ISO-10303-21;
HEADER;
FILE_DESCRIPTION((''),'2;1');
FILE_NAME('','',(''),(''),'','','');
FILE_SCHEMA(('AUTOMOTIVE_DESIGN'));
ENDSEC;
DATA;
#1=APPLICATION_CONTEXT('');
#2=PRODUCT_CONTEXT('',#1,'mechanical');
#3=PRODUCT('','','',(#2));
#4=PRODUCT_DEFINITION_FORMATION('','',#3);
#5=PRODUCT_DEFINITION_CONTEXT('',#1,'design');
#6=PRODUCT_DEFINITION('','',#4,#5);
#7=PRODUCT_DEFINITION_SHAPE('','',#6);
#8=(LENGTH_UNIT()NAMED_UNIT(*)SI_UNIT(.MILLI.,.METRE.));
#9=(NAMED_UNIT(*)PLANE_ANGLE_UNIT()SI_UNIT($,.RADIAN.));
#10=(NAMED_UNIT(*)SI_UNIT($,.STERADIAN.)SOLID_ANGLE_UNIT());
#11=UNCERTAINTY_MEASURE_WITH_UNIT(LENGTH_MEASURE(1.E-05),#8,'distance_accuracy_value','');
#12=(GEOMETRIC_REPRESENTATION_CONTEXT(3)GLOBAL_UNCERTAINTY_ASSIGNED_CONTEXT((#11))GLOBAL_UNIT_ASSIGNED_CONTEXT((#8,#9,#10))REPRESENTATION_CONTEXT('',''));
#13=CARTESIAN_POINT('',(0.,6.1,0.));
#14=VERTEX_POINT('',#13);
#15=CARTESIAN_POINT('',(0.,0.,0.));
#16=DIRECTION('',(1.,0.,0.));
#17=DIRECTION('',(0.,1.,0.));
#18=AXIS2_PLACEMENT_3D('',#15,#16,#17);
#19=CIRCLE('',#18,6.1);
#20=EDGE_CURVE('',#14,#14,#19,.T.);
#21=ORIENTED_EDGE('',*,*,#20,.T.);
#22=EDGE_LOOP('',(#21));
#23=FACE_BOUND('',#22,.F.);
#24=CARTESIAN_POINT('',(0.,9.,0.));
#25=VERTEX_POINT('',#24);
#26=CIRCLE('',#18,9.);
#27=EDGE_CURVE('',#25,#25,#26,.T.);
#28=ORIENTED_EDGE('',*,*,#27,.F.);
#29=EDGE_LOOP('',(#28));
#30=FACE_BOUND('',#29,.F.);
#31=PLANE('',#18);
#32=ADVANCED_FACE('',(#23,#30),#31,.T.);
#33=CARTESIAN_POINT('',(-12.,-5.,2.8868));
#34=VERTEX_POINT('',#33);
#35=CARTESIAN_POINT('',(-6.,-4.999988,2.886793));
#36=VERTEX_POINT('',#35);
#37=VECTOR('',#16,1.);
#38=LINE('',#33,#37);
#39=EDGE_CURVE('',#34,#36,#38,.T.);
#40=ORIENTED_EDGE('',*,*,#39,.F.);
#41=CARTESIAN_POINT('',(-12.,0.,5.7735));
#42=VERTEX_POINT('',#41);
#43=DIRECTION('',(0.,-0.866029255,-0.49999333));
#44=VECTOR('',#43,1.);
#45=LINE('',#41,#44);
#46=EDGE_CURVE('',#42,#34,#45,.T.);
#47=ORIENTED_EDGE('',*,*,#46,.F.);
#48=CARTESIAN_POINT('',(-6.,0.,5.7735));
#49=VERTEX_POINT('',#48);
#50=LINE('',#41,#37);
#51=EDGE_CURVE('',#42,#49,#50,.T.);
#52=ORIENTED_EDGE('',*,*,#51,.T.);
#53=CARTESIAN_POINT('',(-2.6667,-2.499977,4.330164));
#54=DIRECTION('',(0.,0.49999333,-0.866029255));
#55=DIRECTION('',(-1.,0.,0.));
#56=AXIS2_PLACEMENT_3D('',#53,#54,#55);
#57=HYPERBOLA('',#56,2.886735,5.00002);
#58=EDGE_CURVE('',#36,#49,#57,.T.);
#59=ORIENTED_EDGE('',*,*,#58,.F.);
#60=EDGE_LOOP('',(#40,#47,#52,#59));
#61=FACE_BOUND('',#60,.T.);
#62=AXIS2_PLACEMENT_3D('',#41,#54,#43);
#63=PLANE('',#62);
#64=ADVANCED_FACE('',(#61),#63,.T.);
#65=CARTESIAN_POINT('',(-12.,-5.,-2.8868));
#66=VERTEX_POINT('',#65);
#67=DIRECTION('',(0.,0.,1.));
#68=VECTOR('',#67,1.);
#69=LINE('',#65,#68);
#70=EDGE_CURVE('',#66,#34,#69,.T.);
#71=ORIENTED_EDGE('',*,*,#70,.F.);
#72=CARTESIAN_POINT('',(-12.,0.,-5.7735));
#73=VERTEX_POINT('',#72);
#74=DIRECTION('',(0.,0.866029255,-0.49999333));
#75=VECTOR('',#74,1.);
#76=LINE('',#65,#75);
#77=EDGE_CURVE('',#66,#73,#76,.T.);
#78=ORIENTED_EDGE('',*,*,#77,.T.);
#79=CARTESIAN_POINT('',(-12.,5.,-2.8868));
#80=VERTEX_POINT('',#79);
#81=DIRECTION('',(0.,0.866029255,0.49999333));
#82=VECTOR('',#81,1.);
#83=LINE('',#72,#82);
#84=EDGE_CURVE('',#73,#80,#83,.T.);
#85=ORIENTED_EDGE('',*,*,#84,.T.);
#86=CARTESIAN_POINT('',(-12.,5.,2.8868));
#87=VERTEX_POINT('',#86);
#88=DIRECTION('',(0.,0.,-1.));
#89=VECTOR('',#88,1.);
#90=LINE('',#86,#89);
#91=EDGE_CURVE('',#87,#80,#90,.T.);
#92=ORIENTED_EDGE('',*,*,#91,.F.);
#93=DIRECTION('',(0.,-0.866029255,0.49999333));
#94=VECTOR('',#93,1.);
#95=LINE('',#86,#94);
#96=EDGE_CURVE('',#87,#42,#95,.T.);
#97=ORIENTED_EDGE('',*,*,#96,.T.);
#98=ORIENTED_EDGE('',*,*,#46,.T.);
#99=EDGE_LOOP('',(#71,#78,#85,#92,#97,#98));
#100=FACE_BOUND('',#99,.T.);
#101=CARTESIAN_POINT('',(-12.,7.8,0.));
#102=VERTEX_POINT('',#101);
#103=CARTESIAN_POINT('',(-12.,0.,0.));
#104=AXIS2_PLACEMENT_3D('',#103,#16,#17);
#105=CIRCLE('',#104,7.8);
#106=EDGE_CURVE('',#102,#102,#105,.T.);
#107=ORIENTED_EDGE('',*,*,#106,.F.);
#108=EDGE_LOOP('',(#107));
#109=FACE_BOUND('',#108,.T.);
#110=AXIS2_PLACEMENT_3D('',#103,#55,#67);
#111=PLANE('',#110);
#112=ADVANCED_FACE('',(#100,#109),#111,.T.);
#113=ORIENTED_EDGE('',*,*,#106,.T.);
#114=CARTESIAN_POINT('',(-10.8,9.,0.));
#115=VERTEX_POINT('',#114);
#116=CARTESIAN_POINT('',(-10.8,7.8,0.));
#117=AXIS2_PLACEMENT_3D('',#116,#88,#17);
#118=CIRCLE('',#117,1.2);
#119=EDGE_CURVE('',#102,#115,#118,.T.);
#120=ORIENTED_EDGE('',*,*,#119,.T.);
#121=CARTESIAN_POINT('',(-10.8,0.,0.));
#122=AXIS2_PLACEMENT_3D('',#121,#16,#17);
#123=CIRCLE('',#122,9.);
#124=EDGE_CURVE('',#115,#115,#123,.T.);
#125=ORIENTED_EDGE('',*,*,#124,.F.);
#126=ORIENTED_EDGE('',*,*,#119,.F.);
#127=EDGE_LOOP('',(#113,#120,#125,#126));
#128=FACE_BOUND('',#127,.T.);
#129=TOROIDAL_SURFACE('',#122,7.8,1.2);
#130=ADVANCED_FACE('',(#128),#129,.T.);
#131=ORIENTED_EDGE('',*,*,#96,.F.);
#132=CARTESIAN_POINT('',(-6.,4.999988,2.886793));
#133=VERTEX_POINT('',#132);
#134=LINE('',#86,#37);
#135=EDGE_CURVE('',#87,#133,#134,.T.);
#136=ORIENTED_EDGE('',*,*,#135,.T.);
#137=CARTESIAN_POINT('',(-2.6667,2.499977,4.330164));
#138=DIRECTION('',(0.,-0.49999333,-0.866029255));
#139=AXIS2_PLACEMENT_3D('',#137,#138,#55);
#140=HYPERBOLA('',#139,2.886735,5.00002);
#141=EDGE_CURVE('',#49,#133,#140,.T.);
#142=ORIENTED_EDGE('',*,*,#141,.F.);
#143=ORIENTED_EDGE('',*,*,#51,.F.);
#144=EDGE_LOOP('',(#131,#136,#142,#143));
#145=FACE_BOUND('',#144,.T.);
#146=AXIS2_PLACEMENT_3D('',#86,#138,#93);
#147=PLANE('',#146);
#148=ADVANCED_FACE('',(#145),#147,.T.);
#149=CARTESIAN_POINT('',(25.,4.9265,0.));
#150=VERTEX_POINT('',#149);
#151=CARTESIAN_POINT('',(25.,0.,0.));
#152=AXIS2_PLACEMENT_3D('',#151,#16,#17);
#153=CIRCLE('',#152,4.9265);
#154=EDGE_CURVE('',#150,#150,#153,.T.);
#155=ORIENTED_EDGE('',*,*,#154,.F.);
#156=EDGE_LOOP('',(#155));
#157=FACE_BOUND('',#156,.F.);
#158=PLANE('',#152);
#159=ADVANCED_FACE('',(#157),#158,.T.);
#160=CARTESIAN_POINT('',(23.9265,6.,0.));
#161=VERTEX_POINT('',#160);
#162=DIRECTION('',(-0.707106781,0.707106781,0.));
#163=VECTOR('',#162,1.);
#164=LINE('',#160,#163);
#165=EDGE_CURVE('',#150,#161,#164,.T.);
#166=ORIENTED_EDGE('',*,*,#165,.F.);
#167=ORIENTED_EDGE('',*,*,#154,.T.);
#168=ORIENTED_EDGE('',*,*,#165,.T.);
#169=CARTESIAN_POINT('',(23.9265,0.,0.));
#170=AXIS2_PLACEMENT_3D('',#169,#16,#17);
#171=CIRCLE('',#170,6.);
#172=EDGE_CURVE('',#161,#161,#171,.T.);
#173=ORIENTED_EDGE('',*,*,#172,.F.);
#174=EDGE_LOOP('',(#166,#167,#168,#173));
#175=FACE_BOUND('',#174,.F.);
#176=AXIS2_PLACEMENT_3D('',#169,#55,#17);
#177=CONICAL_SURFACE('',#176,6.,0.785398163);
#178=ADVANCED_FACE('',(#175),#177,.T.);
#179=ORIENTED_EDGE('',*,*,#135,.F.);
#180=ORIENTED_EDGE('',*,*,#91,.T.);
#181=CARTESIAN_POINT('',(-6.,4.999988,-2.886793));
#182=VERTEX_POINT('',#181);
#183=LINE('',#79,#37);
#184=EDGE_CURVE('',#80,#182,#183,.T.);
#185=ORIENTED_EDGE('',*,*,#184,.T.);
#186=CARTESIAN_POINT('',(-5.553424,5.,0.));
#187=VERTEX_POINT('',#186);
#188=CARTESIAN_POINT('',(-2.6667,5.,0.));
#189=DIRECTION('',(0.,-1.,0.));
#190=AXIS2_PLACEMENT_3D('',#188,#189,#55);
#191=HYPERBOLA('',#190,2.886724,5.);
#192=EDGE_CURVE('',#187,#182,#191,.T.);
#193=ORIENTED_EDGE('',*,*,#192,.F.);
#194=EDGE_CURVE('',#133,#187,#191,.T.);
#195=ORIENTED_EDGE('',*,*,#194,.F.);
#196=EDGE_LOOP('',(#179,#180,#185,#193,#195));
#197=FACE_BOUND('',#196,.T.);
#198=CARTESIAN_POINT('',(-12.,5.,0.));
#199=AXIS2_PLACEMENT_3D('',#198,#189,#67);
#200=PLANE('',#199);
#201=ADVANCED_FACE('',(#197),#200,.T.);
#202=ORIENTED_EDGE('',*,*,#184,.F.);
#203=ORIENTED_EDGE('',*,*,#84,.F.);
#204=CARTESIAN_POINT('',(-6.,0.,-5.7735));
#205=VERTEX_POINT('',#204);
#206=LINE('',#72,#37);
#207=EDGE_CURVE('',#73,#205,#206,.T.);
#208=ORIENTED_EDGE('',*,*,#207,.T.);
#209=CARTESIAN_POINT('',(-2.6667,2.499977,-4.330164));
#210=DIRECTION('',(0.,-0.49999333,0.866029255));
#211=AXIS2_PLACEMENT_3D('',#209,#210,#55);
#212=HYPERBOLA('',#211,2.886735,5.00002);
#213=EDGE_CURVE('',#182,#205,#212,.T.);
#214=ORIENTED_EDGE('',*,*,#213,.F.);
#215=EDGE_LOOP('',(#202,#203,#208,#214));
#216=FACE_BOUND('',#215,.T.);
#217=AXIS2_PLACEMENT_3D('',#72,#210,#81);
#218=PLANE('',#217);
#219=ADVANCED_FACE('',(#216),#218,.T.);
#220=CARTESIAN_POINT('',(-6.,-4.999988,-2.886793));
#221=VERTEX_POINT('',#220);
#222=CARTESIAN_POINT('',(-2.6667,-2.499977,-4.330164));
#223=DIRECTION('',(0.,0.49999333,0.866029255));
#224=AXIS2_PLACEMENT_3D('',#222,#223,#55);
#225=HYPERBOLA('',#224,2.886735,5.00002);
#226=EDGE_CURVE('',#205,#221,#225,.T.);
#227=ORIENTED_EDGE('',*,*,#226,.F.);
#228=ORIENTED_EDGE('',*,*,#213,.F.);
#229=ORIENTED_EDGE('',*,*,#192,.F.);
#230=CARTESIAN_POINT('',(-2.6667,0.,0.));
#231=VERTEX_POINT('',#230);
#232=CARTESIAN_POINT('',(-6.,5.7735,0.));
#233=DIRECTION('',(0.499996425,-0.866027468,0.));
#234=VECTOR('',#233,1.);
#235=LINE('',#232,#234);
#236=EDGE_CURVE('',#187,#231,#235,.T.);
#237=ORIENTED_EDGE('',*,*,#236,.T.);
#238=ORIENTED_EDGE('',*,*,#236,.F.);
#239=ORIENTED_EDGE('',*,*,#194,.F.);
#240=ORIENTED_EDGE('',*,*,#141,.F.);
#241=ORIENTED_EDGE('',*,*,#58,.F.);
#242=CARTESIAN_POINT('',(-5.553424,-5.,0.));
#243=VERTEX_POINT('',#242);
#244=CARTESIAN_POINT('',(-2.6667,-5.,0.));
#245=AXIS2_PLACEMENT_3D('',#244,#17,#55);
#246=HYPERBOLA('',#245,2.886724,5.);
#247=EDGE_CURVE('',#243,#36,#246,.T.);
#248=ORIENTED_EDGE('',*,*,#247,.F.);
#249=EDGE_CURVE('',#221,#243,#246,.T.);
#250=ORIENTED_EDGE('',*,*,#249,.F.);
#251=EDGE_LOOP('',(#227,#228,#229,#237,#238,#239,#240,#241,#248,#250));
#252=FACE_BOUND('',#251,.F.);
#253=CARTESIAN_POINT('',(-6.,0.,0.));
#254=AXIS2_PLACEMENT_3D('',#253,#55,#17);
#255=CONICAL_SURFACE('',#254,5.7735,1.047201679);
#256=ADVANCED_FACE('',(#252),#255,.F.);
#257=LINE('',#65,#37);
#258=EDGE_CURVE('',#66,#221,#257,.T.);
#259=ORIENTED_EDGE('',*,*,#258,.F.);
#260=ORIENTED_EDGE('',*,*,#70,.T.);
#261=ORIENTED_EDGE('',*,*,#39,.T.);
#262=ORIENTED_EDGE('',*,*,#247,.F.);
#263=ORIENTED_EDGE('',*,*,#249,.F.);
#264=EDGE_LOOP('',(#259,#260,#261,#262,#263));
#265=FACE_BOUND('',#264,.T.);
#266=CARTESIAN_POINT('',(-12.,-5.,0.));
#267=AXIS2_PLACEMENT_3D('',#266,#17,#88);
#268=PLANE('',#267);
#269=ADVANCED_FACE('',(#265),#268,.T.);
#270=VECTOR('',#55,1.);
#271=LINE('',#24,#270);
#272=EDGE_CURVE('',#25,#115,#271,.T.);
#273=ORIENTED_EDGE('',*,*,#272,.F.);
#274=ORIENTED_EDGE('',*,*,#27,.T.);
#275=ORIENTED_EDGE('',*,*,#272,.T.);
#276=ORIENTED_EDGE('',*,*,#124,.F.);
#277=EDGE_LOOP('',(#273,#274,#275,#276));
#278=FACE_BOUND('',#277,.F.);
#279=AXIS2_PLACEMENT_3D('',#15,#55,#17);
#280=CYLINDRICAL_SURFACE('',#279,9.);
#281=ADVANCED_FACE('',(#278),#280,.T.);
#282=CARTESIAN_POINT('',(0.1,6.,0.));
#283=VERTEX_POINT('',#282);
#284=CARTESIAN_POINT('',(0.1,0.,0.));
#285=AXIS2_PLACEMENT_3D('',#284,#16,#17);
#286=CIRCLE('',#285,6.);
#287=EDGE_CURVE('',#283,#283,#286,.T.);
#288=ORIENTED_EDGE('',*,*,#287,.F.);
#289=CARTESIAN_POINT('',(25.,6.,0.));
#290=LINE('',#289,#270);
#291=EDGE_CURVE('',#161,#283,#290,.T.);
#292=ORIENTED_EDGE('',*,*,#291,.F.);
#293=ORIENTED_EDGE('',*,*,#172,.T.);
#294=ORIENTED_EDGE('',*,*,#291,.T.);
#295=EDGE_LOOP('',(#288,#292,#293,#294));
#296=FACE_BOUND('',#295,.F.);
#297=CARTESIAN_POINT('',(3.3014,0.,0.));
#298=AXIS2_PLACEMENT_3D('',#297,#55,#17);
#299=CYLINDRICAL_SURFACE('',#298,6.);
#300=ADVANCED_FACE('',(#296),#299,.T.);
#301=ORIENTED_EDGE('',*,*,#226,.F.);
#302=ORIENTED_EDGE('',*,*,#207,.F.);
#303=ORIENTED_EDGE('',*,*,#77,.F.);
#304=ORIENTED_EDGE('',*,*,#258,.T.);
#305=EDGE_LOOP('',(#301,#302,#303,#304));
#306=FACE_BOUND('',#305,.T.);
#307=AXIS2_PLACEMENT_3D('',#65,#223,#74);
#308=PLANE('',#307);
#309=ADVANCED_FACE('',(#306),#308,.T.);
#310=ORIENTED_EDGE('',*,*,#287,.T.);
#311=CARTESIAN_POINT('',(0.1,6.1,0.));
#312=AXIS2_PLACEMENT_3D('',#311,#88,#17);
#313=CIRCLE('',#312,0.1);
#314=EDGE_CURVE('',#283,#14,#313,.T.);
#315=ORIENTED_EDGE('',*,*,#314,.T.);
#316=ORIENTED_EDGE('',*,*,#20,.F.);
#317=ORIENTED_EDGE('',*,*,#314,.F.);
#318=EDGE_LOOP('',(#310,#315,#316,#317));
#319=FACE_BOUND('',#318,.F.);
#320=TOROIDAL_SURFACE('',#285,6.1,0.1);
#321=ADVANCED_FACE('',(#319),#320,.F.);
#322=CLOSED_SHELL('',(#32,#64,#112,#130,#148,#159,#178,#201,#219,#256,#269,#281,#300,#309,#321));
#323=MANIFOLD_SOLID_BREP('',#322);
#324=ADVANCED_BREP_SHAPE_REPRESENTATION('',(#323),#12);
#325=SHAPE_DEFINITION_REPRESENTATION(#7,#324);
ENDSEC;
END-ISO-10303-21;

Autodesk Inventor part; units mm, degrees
ref_plane "YZ Plane" through (0, 0, 0) normal (1, 0, 0) x (0, 1, 0)
ref_plane "XZ Plane" through (0, 0, 0) normal (0, 1, 0) x (-1, 0, 0)
sketch "Sketch1" plane through (0, 0, 0) normal (0, 0, 1) x (1, 0, 0)
  line L0 (-2.6667, 0) -> (25, 0)
  line L1 (25, 0) -> (25, 6)
  line L2 (25, 6) -> (4.375, 6)
  line L3 (4.375, 6) -> (3.3014, 6)
  line L4 (3.3014, 6) -> (0, 6)
  line L5 (0, 6) -> (0, 9)
  line L6 (0, 9) -> (-12, 9)
  line L7 (-12, 9) -> (-12, 5.7735)
  line L8 (-12, 5.7735) -> (-6, 5.7735)
  line L9 (-6, 5.7735) -> (-2.6667, 0)
  line L10 (-19.4, 0) -> (32.4, 0) projected
  line L11 (0, -1.8) -> (0, 10.8) projected
  line L12 (4.375, 6) -> (0, 6) construction
  dimension "d1" = 20.625
  dimension "d2" = 1.0736
  dimension "d3" = 12
  dimension "d4" = 6
  dimension "d5" = 60
  dimension "d6" = 12
  dimension "d7" = 12
  dimension "d8" = 11.547
  dimension "d9" = 18
  dimension "d26" = 25
revolve "Body" add sketch "Sketch1" angle 360 about axis through (-2.6667, 0, 0) along (1, 0, 0)
sketch "Sketch2" plane through (-12, 0, 0) normal (-1, 0, 0) x (0, 0, 1)
  circle A0 centre (0, 0) radius 5.7735 projected
  line L0 (0, -12.6) -> (0, 12.6) projected
  line L1 (-12.6, 0) -> (12.6, 0) projected
  line L2 (5.7735, 0) -> (2.8868, -5)
  line L3 (2.8868, -5) -> (-2.8868, -5)
  line L4 (-2.8868, -5) -> (-5.7735, 0)
  line L5 (-5.7735, 0) -> (-2.8868, 5)
  line L6 (-2.8868, 5) -> (2.8868, 5)
  line L7 (2.8868, 5) -> (5.7735, 0)
extrude "Slot" add sketch "Sketch2" against normal up to next contours L7 A0 | A0 L2 | L6 L0 A0 | A0 L0 L3 | L0 L6 A0 | A0 L3 L0 | L4 A0 | A0 L5
fillet "Fillet1" radius 1.2 1 edges at (-12, -9, 0)
thread "Thread" size "M12x1.75" class "6g" standard "ISO Metric profile" length 20.625
chamfer "Chamfer1" distance 1.0735 distance2 1.0735 1 edges at (25, -6, 0) measured on face at (25, -3.0269, -1.5886)
ref_plane "Work Plane1" through (29, 0, 0) normal (0, -1, 0) x (1, 0, 0)
fillet "Fillet2" radius 0.1 1 edges at (0, -6, 0)
equation "\"d1\" = GEL"
equation "\"d3\" = KOH"
equation "\"d4\" = INTI"
equation "\"d6\" = GD"
equation "\"d7\" = BDM"
equation "\"d8\" = 1.1547 * SW"
equation "\"d9\" = KOD"
equation "\"d26\" = NLG"
equation "\"d30\" = R"
equation "\"d17\" = RR"
equation "\"d13\" = GEL"
equation "\"d15\" = -0.5 * SPD + 0.5 * GD"
equation "\"d16\" = GUL"
equation "\"GD\" = NND"
equation "\"NLG\" = 25"
equation "\"GEL\" = 20.625"
equation "\"KOD\" = 18"
equation "\"KOH\" = NND"
equation "\"INTI\" = 6"
equation "\"GAL\" = 0.61345 * PTC"
equation "\"GUL\" = 0.61345 * PTC"
equation "\"BDM\" = NND"
equation "\"RR\" = 0.1 * NND"
equation "\"SPD\" = NND - 1.2269 * PTC"
equation "\"R\" = 0.1"
equation "\"PHH\" = 0.25"
equation "\"GD1\" = THREADDIA - 1.2269 * PTC"
equation "\"THREADDIA\" = 12"
equation "\"FAWI\" = 45deg"
equation "\"PTC\" = 1.75"
equation "\"KOH1\" = 10.8"
equation "\"NND\" = 12"
equation "\"TOA\" = 30deg"
equation "\"E0\" = 1.155 * SW"
equation "\"SW\" = 10"
properties part number "AS 1420 - 1973 - M12 x 25" material "Steel, Mild"
